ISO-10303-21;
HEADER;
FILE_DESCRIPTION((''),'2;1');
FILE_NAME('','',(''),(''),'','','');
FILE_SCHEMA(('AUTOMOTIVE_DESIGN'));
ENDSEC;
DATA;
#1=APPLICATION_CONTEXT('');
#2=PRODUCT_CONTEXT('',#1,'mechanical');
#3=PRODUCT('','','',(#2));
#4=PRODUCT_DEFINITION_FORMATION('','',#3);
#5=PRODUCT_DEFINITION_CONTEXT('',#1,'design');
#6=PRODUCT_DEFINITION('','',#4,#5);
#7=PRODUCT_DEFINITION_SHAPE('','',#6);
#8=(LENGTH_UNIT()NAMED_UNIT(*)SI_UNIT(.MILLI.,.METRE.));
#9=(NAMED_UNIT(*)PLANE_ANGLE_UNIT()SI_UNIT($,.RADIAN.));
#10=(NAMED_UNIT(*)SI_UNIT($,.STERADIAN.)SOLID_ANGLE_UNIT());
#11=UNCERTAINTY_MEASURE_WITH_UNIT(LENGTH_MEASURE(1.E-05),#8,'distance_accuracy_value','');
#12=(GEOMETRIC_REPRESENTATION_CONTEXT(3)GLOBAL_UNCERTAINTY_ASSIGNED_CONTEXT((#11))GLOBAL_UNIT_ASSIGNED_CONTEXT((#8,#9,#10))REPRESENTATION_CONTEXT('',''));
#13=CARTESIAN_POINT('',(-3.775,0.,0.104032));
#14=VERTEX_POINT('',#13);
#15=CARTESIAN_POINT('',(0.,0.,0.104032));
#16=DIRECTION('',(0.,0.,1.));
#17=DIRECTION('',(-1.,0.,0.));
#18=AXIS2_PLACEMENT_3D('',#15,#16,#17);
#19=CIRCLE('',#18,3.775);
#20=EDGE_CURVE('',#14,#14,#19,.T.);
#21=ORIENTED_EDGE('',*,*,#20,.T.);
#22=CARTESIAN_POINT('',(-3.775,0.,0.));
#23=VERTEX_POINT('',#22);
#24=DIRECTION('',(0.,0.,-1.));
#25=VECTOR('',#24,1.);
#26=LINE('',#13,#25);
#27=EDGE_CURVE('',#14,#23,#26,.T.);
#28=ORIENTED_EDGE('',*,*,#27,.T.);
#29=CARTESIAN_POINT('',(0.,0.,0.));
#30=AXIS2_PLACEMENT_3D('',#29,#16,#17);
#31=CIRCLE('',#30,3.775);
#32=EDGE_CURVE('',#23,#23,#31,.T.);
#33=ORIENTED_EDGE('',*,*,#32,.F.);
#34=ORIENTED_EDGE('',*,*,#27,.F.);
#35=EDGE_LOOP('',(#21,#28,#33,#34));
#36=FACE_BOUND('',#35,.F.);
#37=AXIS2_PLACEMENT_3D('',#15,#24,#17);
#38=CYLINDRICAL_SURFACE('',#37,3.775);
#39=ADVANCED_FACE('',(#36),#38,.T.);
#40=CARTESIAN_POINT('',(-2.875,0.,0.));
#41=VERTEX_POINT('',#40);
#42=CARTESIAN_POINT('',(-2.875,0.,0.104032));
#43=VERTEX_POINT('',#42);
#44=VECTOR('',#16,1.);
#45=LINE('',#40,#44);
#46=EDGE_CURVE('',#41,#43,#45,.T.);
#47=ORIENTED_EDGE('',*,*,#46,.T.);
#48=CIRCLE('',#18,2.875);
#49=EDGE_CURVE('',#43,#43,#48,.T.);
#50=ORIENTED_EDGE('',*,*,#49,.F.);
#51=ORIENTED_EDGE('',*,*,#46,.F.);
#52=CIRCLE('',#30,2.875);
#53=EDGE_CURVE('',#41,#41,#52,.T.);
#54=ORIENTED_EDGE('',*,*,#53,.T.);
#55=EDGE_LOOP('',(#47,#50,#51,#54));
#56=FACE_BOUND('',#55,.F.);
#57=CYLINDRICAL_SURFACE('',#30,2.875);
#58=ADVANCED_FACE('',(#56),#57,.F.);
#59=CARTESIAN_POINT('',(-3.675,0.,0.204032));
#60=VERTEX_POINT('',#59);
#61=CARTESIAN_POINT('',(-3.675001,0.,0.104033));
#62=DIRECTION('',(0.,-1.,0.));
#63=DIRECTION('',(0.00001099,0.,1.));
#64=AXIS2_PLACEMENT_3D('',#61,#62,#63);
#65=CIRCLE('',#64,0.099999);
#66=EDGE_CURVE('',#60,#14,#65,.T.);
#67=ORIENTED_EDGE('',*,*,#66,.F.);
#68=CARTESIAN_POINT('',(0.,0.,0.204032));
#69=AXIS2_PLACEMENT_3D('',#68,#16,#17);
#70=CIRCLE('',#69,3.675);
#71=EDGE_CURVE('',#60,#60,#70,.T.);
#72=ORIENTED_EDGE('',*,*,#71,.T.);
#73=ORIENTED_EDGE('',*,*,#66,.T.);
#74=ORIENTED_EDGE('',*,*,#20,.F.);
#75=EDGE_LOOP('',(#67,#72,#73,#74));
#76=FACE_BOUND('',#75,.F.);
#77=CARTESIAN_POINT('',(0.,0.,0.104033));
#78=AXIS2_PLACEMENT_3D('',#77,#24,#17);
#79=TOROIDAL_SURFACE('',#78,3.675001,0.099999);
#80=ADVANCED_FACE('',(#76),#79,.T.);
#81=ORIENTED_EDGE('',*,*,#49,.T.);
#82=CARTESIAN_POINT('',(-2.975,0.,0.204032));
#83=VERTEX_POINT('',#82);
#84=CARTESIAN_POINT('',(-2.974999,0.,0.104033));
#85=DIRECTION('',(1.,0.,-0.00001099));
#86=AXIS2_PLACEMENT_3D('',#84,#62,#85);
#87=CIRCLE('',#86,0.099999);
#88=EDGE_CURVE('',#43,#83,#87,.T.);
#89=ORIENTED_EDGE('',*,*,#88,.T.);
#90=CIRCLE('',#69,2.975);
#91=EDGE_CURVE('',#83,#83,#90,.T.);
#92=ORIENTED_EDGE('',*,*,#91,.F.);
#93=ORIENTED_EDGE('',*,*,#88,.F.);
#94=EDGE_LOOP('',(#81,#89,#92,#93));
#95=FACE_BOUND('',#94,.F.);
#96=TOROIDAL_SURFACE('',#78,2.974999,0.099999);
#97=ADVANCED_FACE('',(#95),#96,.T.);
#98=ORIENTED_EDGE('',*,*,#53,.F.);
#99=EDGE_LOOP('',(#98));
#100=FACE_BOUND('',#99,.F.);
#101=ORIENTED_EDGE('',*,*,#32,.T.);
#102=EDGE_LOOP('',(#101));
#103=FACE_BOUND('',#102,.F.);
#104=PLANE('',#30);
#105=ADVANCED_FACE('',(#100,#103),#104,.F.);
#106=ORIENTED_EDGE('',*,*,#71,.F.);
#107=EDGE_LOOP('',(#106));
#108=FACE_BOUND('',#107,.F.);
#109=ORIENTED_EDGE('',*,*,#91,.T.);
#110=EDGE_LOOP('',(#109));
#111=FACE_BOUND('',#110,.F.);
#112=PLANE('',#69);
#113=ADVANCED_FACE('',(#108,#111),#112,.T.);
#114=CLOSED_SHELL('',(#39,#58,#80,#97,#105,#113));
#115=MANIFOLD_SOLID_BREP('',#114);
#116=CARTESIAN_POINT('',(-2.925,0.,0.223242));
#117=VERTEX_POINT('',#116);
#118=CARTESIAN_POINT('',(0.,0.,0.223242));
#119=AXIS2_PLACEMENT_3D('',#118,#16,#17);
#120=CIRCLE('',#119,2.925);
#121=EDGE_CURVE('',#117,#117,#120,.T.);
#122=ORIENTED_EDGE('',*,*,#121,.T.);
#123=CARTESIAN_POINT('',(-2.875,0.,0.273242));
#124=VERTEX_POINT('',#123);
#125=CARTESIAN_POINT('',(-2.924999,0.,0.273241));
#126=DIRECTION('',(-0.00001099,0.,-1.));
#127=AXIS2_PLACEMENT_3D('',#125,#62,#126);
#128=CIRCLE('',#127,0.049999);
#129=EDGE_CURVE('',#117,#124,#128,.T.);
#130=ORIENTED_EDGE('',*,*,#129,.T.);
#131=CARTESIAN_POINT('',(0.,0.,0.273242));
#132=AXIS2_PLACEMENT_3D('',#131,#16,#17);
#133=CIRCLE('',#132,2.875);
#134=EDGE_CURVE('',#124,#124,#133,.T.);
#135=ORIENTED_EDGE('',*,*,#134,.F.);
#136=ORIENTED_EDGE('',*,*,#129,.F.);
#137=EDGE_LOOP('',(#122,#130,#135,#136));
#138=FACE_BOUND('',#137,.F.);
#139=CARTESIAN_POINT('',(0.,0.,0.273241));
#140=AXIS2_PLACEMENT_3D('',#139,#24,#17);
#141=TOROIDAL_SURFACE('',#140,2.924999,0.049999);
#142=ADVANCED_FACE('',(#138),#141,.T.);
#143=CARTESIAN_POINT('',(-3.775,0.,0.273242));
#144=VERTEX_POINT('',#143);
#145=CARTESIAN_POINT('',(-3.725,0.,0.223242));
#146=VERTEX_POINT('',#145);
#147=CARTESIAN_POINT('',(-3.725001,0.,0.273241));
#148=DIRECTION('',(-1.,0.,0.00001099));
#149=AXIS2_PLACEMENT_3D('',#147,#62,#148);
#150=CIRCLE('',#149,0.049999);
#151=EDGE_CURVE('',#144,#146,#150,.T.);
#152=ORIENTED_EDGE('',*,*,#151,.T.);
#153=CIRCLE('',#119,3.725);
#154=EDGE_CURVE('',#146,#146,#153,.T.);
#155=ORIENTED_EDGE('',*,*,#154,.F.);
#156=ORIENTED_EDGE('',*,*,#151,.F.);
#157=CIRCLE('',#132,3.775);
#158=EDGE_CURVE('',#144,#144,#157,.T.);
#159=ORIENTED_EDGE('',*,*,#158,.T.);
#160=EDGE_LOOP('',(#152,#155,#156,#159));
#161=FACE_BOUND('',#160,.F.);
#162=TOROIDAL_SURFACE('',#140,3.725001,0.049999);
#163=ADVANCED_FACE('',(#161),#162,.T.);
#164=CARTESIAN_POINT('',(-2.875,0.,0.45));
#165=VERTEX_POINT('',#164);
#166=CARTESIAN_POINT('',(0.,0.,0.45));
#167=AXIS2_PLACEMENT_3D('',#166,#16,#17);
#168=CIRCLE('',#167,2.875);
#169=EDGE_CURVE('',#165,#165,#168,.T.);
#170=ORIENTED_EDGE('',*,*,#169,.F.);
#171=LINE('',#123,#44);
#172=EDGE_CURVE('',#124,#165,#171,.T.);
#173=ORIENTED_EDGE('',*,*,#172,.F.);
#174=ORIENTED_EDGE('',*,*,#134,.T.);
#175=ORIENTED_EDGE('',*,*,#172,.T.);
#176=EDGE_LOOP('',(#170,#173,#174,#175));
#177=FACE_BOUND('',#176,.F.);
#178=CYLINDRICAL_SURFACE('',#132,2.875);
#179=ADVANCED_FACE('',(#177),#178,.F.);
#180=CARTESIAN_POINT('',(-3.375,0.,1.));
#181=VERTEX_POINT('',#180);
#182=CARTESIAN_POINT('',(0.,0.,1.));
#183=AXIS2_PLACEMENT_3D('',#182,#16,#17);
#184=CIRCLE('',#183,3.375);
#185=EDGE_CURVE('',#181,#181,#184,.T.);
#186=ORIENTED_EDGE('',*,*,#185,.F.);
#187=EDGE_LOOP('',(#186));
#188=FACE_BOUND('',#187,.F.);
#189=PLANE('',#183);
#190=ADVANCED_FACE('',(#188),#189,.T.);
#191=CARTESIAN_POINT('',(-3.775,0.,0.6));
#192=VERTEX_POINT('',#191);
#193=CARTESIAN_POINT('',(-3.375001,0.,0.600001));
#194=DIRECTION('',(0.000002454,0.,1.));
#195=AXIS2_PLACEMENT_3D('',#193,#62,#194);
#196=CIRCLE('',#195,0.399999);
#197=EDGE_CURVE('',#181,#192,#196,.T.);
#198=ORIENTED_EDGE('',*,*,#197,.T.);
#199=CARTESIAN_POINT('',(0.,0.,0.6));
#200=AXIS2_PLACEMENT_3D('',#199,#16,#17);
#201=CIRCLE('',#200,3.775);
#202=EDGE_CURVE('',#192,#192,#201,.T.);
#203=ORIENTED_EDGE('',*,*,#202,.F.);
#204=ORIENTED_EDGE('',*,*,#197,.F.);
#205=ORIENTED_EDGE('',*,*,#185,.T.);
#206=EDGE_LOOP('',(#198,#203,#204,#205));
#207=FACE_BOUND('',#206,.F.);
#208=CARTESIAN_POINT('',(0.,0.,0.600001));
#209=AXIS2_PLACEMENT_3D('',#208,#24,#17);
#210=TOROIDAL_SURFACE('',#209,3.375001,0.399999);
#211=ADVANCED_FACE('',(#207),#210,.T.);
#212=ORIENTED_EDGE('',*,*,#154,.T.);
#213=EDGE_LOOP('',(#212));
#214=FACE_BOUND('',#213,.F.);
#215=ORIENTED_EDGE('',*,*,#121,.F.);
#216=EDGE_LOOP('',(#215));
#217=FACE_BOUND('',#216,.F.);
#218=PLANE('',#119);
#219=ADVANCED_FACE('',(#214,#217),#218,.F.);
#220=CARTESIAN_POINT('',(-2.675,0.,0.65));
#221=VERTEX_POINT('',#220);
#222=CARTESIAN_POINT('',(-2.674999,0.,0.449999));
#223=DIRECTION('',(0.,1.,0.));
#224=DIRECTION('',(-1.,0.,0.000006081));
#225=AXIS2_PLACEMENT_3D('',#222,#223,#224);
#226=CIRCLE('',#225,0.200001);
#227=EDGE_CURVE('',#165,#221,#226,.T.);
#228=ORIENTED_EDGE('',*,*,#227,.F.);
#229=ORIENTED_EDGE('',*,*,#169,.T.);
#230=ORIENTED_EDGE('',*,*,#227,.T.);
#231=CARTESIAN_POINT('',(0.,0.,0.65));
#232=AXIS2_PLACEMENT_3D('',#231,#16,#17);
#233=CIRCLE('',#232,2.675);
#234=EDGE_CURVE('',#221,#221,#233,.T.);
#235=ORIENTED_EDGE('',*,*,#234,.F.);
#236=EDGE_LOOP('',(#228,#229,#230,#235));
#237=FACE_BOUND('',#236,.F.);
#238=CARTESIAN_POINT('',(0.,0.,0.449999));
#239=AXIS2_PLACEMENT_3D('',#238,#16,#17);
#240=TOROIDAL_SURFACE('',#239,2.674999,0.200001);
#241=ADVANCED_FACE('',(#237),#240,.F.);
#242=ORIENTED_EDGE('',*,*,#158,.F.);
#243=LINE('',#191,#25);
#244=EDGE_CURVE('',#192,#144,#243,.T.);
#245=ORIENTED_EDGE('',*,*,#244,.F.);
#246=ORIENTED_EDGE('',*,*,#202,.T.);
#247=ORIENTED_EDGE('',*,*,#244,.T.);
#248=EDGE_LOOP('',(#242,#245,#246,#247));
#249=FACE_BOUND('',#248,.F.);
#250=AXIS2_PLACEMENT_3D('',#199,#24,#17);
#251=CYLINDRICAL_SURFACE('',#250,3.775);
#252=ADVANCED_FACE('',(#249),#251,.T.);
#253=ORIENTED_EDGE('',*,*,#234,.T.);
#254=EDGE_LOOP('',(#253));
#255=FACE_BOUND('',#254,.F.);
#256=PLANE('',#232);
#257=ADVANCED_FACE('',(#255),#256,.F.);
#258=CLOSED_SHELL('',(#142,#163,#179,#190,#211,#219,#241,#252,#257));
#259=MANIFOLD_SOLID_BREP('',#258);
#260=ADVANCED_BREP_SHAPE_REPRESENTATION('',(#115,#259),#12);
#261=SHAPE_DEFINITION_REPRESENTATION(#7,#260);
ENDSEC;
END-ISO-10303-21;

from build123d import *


with BuildPart() as f1:
    # F0 (on Front) → F1 (revolve)
    with BuildSketch(Plane.XZ):
        with BuildLine():
            Line((-2.675, 0.65), (0, 0.65))
            Line((0, 0.65), (0, 1))
            Line((0, 1), (-3.375, 1))
            ThreePointArc((-3.375, 1), (-3.657843, 0.882843), (-3.775, 0.6))
            Line((-3.775, 0.6), (-3.775, 0.273242))
            ThreePointArc((-3.775, 0.273242), (-3.760355, 0.237886), (-3.725, 0.223242))
            Line((-3.725, 0.223242), (-3.54468, 0.223242))
            ThreePointArc((-3.54468, 0.223242), (-3.509324, 0.237886), (-3.49468, 0.273242))
            Line((-3.49468, 0.273242), (-3.49468, 0.365176))
            ThreePointArc((-3.49468, 0.365176), (-3.497226, 0.380928), (-3.504604, 0.395076))
            Line((-3.504604, 0.395076), (-3.548599, 0.454043))
            ThreePointArc((-3.548599, 0.454043), (-3.555978, 0.468191), (-3.558524, 0.483943))
            Line((-3.558524, 0.483943), (-3.558524, 0.533437))
            ThreePointArc((-3.558524, 0.533437), (-3.556821, 0.546376), (-3.551828, 0.558432))
            Line((-3.551828, 0.558432), (-3.426828, 0.774995))
            ThreePointArc((-3.426828, 0.774995), (-3.408526, 0.7933), (-3.383524, 0.8))
            Line((-3.383524, 0.8), (-3.283524, 0.8))
            Line((-3.283524, 0.8), (-3.183524, 0.8))
            ThreePointArc((-3.183524, 0.8), (-3.158521, 0.7933), (-3.14022, 0.774995))
            Line((-3.14022, 0.774995), (-3.01522, 0.558432))
            ThreePointArc((-3.01522, 0.558432), (-3.010227, 0.546376), (-3.008524, 0.533437))
            Line((-3.008524, 0.533437), (-3.008524, 0.483943))
            ThreePointArc((-3.008524, 0.483943), (-3.01107, 0.468191), (-3.018449, 0.454043))
            Line((-3.018449, 0.454043), (-3.062443, 0.395076))
            ThreePointArc((-3.062443, 0.395076), (-3.069822, 0.380928), (-3.072368, 0.365176))
            Line((-3.072368, 0.365176), (-3.072368, 0.273242))
            ThreePointArc((-3.072368, 0.273242), (-3.057724, 0.237886), (-3.022368, 0.223242))
            Line((-3.022368, 0.223242), (-2.925, 0.223242))
            ThreePointArc((-2.925, 0.223242), (-2.889645, 0.237886), (-2.875, 0.273242))
            Line((-2.875, 0.273242), (-2.875, 0.45))
            ThreePointArc((-2.875, 0.45), (-2.816421, 0.591421), (-2.675, 0.65))
        make_face()
        with BuildLine():
            Line((-3.086763, 0.223242), (-3.022368, 0.223242))
            ThreePointArc((-3.022368, 0.223242), (-3.057724, 0.237886), (-3.072368, 0.273242))
            Line((-3.072368, 0.273242), (-3.072368, 0.365176))
            ThreePointArc((-3.072368, 0.365176), (-3.069822, 0.380928), (-3.062443, 0.395076))
            Line((-3.062443, 0.395076), (-3.018449, 0.454043))
            ThreePointArc((-3.018449, 0.454043), (-3.01107, 0.468191), (-3.008524, 0.483943))
            Line((-3.008524, 0.483943), (-3.008524, 0.533437))
            ThreePointArc((-3.008524, 0.533437), (-3.010227, 0.546376), (-3.01522, 0.558432))
            Line((-3.01522, 0.558432), (-3.14022, 0.774995))
            ThreePointArc((-3.14022, 0.774995), (-3.158521, 0.7933), (-3.183524, 0.8))
            Line((-3.183524, 0.8), (-3.283524, 0.8))
            Line((-3.283524, 0.8), (-3.383524, 0.8))
            ThreePointArc((-3.383524, 0.8), (-3.408526, 0.7933), (-3.426828, 0.774995))
            Line((-3.426828, 0.774995), (-3.551828, 0.558432))
            ThreePointArc((-3.551828, 0.558432), (-3.556821, 0.546376), (-3.558524, 0.533437))
            Line((-3.558524, 0.533437), (-3.558524, 0.483943))
            ThreePointArc((-3.558524, 0.483943), (-3.555978, 0.468191), (-3.548599, 0.454043))
            Line((-3.548599, 0.454043), (-3.504604, 0.395076))
            ThreePointArc((-3.504604, 0.395076), (-3.497226, 0.380928), (-3.49468, 0.365176))
            Line((-3.49468, 0.365176), (-3.49468, 0.273242))
            ThreePointArc((-3.49468, 0.273242), (-3.509324, 0.237886), (-3.54468, 0.223242))
            Line((-3.54468, 0.223242), (-3.480285, 0.223242))
            ThreePointArc((-3.480285, 0.223242), (-3.472405, 0.237749), (-3.46968, 0.254032))
            Line((-3.46968, 0.254032), (-3.46968, 0.365176))
            ThreePointArc((-3.46968, 0.365176), (-3.473499, 0.388804), (-3.484567, 0.410026))
            Line((-3.484567, 0.410026), (-3.528561, 0.468993))
            ThreePointArc((-3.528561, 0.468993), (-3.532251, 0.476067), (-3.533524, 0.483943))
            Line((-3.533524, 0.483943), (-3.533524, 0.533437))
            ThreePointArc((-3.533524, 0.533437), (-3.532672, 0.539906), (-3.530176, 0.545935))
            Line((-3.530176, 0.545935), (-3.405176, 0.762498))
            ThreePointArc((-3.405176, 0.762498), (-3.396025, 0.77165), (-3.383524, 0.775))
            Line((-3.383524, 0.775), (-3.308524, 0.775))
            Line((-3.308524, 0.775), (-3.183524, 0.775))
            ThreePointArc((-3.183524, 0.775), (-3.171023, 0.77165), (-3.161872, 0.762498))
            Line((-3.161872, 0.762498), (-3.036872, 0.545935))
            ThreePointArc((-3.036872, 0.545935), (-3.034375, 0.539906), (-3.033524, 0.533437))
            Line((-3.033524, 0.533437), (-3.033524, 0.483943))
            ThreePointArc((-3.033524, 0.483943), (-3.034797, 0.476067), (-3.038486, 0.468993))
            Line((-3.038486, 0.468993), (-3.082481, 0.410026))
            ThreePointArc((-3.082481, 0.410026), (-3.093549, 0.388804), (-3.097368, 0.365176))
            Line((-3.097368, 0.365176), (-3.097368, 0.254032))
            ThreePointArc((-3.097368, 0.254032), (-3.094643, 0.237749), (-3.086763, 0.223242))
        make_face()
        with BuildLine():
            Line((-3.480285, 0.223242), (-3.086763, 0.223242))
            ThreePointArc((-3.086763, 0.223242), (-3.094643, 0.237749), (-3.097368, 0.254032))
            Line((-3.097368, 0.254032), (-3.097368, 0.365176))
            ThreePointArc((-3.097368, 0.365176), (-3.093549, 0.388804), (-3.082481, 0.410026))
            Line((-3.082481, 0.410026), (-3.038486, 0.468993))
            ThreePointArc((-3.038486, 0.468993), (-3.034797, 0.476067), (-3.033524, 0.483943))
            Line((-3.033524, 0.483943), (-3.033524, 0.533437))
            ThreePointArc((-3.033524, 0.533437), (-3.034375, 0.539906), (-3.036872, 0.545935))
            Line((-3.036872, 0.545935), (-3.161872, 0.762498))
            ThreePointArc((-3.161872, 0.762498), (-3.171023, 0.77165), (-3.183524, 0.775))
            Line((-3.183524, 0.775), (-3.308524, 0.775))
            Line((-3.308524, 0.775), (-3.383524, 0.775))
            ThreePointArc((-3.383524, 0.775), (-3.396025, 0.77165), (-3.405176, 0.762498))
            Line((-3.405176, 0.762498), (-3.530176, 0.545935))
            ThreePointArc((-3.530176, 0.545935), (-3.532672, 0.539906), (-3.533524, 0.533437))
            Line((-3.533524, 0.533437), (-3.533524, 0.483943))
            ThreePointArc((-3.533524, 0.483943), (-3.532251, 0.476067), (-3.528561, 0.468993))
            Line((-3.528561, 0.468993), (-3.484567, 0.410026))
            ThreePointArc((-3.484567, 0.410026), (-3.473499, 0.388804), (-3.46968, 0.365176))
            Line((-3.46968, 0.365176), (-3.46968, 0.254032))
            ThreePointArc((-3.46968, 0.254032), (-3.472405, 0.237749), (-3.480285, 0.223242))
        make_face()
        with BuildLine():
            Line((-2.975, 0.204032), (-3.047368, 0.204032))
            Line((-3.047368, 0.204032), (-3.097368, 0.204032))
            Line((-3.097368, 0.204032), (-3.46968, 0.204032))
            Line((-3.46968, 0.204032), (-3.51968, 0.204032))
            Line((-3.51968, 0.204032), (-3.675, 0.204032))
            ThreePointArc((-3.675, 0.204032), (-3.745711, 0.174743), (-3.775, 0.104032))
            Line((-3.775, 0.104032), (-3.775, 0))
            Line((-3.775, 0), (-2.875, 0))
            Line((-2.875, 0), (-2.875, 0.104032))
            ThreePointArc((-2.875, 0.104032), (-2.904289, 0.174743), (-2.975, 0.204032))
        make_face()
    revolve(axis=Axis((0, 0, 0.5), (0, 0, 1)))


solid = f1.part
